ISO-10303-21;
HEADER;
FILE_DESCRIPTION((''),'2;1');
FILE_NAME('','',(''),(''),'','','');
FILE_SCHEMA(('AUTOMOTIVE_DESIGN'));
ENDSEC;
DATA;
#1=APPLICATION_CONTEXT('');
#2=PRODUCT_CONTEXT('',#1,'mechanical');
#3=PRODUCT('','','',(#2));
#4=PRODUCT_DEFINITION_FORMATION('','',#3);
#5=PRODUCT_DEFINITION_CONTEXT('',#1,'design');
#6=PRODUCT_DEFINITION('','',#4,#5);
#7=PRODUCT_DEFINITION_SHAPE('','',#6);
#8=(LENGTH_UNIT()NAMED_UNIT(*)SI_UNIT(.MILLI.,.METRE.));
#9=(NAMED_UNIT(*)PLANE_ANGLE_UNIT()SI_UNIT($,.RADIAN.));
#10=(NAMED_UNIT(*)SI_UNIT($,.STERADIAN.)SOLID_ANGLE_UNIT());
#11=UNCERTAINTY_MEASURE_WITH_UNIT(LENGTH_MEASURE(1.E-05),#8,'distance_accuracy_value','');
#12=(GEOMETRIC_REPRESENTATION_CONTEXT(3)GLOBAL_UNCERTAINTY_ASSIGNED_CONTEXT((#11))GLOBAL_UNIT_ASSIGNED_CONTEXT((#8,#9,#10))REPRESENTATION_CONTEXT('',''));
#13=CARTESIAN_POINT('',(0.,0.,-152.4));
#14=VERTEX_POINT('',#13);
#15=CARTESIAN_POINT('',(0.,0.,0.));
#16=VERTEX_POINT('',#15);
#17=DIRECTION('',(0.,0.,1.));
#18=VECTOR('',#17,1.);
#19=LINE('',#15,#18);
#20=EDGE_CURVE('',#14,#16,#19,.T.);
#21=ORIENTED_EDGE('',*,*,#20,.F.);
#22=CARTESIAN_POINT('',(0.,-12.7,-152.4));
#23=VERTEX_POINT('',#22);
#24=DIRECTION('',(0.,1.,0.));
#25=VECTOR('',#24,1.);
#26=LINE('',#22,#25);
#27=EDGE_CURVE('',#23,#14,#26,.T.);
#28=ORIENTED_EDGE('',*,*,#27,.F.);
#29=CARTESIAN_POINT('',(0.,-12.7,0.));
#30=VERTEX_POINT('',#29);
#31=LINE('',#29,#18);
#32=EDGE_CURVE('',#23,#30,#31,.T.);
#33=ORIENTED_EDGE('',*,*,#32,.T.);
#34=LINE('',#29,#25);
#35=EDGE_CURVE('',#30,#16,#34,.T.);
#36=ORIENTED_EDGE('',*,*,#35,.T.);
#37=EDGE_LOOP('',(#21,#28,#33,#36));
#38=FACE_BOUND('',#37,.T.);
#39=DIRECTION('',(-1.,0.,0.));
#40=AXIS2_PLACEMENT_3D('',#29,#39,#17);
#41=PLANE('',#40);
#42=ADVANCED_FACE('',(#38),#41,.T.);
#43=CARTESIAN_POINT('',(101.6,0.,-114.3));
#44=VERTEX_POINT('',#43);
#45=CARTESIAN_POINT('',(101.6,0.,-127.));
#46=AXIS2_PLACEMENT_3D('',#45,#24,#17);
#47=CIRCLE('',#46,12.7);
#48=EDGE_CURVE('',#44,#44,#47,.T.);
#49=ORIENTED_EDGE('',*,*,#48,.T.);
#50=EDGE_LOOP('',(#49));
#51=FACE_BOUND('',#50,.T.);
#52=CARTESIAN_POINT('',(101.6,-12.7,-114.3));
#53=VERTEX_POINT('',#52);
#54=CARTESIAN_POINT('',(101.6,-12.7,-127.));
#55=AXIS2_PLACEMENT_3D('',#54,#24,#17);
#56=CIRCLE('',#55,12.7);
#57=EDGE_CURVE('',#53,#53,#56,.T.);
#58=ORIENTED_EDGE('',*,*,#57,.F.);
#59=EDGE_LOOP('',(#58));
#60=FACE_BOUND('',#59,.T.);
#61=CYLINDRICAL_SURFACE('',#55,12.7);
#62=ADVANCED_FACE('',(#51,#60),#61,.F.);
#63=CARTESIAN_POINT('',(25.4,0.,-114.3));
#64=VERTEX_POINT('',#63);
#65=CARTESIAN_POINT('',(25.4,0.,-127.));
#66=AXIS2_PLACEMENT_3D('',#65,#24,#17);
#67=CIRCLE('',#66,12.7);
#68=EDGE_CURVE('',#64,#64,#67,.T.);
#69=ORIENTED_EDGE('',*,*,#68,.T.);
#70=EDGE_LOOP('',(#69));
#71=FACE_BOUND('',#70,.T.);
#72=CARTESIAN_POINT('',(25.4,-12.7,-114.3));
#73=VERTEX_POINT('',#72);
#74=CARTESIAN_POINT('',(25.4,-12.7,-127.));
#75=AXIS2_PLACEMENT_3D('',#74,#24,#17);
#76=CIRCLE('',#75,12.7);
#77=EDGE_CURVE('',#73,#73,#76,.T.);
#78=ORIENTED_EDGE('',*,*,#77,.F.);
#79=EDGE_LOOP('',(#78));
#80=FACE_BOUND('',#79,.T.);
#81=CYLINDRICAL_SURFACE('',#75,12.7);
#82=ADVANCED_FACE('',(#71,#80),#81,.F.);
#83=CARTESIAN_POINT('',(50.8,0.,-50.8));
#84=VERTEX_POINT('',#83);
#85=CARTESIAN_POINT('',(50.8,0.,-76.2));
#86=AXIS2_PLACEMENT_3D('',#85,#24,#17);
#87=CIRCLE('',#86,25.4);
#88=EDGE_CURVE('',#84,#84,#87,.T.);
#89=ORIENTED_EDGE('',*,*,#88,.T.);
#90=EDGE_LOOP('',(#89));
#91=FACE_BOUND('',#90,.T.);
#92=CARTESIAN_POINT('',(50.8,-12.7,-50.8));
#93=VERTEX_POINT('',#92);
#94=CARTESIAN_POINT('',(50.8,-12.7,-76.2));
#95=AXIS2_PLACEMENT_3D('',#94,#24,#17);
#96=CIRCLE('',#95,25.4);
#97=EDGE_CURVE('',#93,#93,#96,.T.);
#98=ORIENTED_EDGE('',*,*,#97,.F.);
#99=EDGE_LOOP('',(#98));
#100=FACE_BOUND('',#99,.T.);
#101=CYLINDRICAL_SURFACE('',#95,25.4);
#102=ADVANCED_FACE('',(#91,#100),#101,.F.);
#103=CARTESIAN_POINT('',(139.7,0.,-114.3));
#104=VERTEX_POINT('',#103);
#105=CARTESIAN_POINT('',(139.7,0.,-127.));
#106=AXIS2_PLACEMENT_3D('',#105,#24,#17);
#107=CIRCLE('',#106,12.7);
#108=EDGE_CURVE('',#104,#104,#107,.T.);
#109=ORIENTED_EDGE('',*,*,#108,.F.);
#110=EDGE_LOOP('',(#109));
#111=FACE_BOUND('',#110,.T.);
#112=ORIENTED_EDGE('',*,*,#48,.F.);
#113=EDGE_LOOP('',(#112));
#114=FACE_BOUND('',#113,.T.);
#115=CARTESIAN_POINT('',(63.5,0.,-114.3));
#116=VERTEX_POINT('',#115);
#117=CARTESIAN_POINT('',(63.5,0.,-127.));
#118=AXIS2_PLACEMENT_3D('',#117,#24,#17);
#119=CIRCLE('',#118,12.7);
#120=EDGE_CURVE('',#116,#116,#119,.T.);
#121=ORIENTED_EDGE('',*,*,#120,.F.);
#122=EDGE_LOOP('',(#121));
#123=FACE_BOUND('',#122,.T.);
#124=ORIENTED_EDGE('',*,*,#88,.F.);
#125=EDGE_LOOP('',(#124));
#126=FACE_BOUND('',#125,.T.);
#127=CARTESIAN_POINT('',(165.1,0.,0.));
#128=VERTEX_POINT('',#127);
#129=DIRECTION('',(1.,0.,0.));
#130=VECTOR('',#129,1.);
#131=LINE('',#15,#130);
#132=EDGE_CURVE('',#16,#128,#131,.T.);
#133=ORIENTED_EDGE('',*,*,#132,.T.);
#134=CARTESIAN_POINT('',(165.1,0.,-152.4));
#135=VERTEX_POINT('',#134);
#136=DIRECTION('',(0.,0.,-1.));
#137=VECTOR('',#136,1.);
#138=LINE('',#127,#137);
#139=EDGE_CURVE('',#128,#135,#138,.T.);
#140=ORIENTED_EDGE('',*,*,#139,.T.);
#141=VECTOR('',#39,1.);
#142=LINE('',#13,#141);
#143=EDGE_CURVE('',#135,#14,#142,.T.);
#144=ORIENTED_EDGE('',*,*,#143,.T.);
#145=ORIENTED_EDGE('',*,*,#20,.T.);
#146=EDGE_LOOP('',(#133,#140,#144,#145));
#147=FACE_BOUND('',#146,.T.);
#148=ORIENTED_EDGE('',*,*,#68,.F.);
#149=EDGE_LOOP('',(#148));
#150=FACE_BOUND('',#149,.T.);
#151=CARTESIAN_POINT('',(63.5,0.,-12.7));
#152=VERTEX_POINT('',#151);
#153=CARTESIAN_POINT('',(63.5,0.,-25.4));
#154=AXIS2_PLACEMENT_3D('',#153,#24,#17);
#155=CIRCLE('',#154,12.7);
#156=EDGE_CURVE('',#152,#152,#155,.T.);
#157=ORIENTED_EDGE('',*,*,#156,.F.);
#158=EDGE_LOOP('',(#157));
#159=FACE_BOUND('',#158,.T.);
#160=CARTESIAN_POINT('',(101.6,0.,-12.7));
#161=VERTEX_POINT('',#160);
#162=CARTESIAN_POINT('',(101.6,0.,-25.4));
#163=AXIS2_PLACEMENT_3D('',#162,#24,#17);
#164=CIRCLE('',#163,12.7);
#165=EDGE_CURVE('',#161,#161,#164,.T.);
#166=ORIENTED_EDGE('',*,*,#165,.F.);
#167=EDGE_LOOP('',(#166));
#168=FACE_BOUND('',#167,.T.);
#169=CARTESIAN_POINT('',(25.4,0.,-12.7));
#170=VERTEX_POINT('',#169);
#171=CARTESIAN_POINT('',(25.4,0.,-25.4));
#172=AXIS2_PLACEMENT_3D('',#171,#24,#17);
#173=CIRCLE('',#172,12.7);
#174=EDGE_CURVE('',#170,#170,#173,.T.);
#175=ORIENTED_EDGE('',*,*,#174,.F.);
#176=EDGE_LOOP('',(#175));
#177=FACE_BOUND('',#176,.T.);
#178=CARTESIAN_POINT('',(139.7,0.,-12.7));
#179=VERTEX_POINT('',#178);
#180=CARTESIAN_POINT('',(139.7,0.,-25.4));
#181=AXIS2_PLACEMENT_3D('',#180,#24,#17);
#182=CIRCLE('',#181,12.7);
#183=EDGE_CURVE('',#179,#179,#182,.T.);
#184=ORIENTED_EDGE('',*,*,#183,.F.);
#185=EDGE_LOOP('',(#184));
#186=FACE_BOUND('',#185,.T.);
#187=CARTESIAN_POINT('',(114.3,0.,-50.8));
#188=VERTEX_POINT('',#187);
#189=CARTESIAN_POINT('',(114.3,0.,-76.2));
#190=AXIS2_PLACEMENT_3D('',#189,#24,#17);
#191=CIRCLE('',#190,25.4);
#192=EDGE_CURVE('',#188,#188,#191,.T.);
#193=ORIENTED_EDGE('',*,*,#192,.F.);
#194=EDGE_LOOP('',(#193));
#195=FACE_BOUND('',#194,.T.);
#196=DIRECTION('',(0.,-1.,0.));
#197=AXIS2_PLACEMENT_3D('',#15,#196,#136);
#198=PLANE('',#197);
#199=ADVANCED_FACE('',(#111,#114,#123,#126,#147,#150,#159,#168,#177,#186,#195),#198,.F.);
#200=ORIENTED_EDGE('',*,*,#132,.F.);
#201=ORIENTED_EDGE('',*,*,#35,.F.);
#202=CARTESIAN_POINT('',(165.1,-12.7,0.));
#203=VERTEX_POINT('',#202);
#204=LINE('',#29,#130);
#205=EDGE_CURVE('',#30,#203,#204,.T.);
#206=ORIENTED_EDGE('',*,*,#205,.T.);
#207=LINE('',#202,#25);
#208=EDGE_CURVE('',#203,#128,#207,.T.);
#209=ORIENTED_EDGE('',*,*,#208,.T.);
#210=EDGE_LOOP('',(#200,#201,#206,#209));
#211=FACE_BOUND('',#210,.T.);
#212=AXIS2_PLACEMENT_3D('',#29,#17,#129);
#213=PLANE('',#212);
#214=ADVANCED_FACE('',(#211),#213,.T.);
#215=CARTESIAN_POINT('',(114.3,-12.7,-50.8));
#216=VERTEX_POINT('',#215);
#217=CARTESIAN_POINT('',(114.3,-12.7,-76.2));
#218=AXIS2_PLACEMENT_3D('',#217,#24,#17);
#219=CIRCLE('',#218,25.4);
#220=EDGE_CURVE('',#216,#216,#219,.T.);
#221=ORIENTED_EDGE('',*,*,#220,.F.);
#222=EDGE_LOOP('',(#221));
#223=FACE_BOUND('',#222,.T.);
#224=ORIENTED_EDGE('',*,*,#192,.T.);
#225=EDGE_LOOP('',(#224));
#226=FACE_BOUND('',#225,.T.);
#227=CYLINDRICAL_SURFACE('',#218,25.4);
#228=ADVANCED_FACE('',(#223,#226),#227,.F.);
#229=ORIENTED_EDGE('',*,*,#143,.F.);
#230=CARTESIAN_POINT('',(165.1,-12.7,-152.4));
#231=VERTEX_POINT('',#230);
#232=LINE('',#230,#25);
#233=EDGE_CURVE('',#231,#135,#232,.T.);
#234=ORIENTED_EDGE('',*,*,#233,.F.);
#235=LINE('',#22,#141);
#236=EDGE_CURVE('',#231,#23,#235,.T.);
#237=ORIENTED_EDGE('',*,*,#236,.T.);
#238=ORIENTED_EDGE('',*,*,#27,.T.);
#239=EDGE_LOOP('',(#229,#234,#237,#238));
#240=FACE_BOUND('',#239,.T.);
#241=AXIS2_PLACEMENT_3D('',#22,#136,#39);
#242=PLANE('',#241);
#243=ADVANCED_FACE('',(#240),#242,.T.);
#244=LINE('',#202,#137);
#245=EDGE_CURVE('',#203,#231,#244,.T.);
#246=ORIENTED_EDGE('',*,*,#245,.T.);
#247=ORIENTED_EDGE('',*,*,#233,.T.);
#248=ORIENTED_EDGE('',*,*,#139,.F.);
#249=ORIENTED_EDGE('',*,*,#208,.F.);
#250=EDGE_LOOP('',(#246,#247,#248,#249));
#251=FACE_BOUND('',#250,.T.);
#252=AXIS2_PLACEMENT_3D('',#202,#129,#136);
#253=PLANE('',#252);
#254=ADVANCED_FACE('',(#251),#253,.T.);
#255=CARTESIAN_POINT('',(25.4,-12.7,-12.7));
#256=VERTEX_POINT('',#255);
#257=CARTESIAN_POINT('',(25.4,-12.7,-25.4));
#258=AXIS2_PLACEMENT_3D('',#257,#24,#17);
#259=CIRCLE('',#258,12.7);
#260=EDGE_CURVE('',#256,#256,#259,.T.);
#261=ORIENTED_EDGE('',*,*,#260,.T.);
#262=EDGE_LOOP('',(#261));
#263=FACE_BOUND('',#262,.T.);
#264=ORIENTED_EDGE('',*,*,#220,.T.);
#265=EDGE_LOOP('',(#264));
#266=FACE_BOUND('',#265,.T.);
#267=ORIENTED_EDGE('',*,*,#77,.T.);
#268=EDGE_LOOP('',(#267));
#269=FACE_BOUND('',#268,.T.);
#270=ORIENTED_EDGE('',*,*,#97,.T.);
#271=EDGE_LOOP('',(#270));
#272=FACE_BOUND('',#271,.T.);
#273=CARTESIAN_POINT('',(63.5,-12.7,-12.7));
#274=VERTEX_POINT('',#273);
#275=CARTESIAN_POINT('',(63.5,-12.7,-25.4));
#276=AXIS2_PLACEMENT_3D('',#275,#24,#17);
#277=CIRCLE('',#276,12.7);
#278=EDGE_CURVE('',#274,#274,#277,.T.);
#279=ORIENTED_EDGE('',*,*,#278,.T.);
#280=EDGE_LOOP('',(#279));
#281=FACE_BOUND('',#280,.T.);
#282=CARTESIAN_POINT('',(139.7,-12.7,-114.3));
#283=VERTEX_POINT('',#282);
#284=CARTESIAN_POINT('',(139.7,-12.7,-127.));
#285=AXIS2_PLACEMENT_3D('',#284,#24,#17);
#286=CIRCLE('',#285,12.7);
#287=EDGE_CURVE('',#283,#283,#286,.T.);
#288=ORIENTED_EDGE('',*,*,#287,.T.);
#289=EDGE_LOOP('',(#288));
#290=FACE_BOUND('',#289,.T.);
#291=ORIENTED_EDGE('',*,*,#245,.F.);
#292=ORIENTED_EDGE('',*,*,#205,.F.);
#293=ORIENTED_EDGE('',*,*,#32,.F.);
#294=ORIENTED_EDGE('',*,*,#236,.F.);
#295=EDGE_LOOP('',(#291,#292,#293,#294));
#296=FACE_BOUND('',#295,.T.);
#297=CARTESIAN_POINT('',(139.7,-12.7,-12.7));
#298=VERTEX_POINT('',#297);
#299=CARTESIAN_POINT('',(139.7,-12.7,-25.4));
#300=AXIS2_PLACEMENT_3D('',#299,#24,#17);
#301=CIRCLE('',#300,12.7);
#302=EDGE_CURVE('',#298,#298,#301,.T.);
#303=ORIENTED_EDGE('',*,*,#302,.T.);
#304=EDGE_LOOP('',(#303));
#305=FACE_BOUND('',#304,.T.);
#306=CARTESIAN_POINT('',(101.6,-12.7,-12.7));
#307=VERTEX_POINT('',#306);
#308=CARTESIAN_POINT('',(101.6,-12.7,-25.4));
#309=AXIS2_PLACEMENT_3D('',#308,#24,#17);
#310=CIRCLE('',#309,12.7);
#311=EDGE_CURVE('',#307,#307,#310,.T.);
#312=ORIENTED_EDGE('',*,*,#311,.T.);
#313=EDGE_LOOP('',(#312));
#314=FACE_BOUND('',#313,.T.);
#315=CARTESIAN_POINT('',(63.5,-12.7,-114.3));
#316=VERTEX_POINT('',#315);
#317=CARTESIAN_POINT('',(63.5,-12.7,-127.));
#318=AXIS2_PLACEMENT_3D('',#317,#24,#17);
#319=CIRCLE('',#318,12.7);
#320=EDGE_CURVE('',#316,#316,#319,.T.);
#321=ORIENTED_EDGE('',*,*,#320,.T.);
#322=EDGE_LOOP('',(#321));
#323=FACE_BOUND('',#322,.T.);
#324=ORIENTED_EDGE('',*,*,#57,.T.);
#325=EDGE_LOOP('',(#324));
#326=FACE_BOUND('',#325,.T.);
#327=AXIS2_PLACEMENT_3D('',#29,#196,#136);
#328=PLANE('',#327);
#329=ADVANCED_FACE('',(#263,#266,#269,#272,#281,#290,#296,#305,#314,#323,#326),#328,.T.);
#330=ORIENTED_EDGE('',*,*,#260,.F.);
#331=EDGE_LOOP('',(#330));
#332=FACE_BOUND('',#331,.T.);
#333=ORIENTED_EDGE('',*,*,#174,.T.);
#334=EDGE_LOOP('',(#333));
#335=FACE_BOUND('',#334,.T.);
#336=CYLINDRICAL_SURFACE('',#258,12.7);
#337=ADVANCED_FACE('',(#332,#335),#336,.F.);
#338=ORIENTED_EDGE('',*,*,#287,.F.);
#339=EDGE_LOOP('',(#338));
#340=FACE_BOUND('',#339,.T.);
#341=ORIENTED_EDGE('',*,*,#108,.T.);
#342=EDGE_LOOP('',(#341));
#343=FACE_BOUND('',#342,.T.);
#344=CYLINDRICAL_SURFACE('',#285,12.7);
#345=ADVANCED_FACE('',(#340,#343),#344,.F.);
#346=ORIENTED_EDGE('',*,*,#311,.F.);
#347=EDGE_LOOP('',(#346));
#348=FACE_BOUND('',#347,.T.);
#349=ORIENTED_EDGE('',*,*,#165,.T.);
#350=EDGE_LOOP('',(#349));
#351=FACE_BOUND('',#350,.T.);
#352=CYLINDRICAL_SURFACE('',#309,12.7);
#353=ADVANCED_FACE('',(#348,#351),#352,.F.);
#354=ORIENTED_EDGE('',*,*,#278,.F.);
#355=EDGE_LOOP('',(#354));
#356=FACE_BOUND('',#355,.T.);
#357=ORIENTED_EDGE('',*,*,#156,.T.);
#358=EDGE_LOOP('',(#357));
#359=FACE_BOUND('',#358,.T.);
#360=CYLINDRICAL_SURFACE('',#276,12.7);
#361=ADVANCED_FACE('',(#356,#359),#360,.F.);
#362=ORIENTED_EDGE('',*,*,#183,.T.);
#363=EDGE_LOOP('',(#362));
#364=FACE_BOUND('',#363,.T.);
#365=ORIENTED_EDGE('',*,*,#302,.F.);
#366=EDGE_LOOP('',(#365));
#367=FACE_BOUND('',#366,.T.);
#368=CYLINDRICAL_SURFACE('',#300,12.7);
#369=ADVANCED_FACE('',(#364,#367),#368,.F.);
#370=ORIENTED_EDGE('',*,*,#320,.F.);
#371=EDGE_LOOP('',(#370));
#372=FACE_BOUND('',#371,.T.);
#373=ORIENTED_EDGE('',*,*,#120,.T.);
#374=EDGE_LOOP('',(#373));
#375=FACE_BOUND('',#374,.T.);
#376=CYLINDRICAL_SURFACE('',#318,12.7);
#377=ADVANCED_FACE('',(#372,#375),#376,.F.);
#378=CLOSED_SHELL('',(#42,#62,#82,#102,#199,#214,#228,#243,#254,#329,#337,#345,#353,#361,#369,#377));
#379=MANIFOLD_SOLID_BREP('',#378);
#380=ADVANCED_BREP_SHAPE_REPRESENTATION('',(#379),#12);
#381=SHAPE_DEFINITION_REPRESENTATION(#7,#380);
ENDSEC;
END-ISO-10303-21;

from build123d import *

# Parameters (mm, degrees)
SKETCH1_W           = 165.1
SKETCH1_H           = 152.4
BOSS_EXTRUDE1_DEPTH = 12.7
SKETCH2_R           = 12.7
CUT_EXTRUDE1_DEPTH  = 12.7
SKETCH3_R           = 25.4
CUT_EXTRUDE2_DEPTH  = 12.7


with BuildPart() as part:
    # Sketch1 → Boss-Extrude1 (new body)
    with BuildSketch(Plane(origin=(0, 0, 0), x_dir=(1, 0, 0), z_dir=(0, 1, 0))):
        with Locations((82.55, 76.2)):
            Rectangle(SKETCH1_W, SKETCH1_H)
    extrude(amount=-BOSS_EXTRUDE1_DEPTH)

    # Sketch2 → Cut-Extrude1 (cut)
    with BuildSketch(Plane(origin=(0, 0, 0), x_dir=(1, 0, 0), z_dir=(0, 1, 0))):
        with Locations((25.4, 127)):
            Circle(SKETCH2_R)
        with Locations((63.5, 127)):
            Circle(SKETCH2_R)
        with Locations((101.6, 127)):
            Circle(SKETCH2_R)
        with Locations((139.7, 127)):
            Circle(SKETCH2_R)
        with Locations((63.5, 25.4)):
            Circle(SKETCH2_R)
        with Locations((101.6, 25.4)):
            Circle(SKETCH2_R)
        with Locations((139.7, 25.4)):
            Circle(SKETCH2_R)
        with Locations((25.4, 25.4)):
            Circle(SKETCH2_R)
    extrude(amount=-CUT_EXTRUDE1_DEPTH, mode=Mode.SUBTRACT)

    # Sketch3 → Cut-Extrude2 (cut)
    with BuildSketch(Plane(origin=(0, 0, 0), x_dir=(1, 0, 0), z_dir=(0, 1, 0))):
        with Locations((50.8, 76.2)):
            Circle(SKETCH3_R)
        with Locations((114.3, 76.2)):
            Circle(SKETCH3_R)
    extrude(amount=-CUT_EXTRUDE2_DEPTH, mode=Mode.SUBTRACT)


solid = part.part
